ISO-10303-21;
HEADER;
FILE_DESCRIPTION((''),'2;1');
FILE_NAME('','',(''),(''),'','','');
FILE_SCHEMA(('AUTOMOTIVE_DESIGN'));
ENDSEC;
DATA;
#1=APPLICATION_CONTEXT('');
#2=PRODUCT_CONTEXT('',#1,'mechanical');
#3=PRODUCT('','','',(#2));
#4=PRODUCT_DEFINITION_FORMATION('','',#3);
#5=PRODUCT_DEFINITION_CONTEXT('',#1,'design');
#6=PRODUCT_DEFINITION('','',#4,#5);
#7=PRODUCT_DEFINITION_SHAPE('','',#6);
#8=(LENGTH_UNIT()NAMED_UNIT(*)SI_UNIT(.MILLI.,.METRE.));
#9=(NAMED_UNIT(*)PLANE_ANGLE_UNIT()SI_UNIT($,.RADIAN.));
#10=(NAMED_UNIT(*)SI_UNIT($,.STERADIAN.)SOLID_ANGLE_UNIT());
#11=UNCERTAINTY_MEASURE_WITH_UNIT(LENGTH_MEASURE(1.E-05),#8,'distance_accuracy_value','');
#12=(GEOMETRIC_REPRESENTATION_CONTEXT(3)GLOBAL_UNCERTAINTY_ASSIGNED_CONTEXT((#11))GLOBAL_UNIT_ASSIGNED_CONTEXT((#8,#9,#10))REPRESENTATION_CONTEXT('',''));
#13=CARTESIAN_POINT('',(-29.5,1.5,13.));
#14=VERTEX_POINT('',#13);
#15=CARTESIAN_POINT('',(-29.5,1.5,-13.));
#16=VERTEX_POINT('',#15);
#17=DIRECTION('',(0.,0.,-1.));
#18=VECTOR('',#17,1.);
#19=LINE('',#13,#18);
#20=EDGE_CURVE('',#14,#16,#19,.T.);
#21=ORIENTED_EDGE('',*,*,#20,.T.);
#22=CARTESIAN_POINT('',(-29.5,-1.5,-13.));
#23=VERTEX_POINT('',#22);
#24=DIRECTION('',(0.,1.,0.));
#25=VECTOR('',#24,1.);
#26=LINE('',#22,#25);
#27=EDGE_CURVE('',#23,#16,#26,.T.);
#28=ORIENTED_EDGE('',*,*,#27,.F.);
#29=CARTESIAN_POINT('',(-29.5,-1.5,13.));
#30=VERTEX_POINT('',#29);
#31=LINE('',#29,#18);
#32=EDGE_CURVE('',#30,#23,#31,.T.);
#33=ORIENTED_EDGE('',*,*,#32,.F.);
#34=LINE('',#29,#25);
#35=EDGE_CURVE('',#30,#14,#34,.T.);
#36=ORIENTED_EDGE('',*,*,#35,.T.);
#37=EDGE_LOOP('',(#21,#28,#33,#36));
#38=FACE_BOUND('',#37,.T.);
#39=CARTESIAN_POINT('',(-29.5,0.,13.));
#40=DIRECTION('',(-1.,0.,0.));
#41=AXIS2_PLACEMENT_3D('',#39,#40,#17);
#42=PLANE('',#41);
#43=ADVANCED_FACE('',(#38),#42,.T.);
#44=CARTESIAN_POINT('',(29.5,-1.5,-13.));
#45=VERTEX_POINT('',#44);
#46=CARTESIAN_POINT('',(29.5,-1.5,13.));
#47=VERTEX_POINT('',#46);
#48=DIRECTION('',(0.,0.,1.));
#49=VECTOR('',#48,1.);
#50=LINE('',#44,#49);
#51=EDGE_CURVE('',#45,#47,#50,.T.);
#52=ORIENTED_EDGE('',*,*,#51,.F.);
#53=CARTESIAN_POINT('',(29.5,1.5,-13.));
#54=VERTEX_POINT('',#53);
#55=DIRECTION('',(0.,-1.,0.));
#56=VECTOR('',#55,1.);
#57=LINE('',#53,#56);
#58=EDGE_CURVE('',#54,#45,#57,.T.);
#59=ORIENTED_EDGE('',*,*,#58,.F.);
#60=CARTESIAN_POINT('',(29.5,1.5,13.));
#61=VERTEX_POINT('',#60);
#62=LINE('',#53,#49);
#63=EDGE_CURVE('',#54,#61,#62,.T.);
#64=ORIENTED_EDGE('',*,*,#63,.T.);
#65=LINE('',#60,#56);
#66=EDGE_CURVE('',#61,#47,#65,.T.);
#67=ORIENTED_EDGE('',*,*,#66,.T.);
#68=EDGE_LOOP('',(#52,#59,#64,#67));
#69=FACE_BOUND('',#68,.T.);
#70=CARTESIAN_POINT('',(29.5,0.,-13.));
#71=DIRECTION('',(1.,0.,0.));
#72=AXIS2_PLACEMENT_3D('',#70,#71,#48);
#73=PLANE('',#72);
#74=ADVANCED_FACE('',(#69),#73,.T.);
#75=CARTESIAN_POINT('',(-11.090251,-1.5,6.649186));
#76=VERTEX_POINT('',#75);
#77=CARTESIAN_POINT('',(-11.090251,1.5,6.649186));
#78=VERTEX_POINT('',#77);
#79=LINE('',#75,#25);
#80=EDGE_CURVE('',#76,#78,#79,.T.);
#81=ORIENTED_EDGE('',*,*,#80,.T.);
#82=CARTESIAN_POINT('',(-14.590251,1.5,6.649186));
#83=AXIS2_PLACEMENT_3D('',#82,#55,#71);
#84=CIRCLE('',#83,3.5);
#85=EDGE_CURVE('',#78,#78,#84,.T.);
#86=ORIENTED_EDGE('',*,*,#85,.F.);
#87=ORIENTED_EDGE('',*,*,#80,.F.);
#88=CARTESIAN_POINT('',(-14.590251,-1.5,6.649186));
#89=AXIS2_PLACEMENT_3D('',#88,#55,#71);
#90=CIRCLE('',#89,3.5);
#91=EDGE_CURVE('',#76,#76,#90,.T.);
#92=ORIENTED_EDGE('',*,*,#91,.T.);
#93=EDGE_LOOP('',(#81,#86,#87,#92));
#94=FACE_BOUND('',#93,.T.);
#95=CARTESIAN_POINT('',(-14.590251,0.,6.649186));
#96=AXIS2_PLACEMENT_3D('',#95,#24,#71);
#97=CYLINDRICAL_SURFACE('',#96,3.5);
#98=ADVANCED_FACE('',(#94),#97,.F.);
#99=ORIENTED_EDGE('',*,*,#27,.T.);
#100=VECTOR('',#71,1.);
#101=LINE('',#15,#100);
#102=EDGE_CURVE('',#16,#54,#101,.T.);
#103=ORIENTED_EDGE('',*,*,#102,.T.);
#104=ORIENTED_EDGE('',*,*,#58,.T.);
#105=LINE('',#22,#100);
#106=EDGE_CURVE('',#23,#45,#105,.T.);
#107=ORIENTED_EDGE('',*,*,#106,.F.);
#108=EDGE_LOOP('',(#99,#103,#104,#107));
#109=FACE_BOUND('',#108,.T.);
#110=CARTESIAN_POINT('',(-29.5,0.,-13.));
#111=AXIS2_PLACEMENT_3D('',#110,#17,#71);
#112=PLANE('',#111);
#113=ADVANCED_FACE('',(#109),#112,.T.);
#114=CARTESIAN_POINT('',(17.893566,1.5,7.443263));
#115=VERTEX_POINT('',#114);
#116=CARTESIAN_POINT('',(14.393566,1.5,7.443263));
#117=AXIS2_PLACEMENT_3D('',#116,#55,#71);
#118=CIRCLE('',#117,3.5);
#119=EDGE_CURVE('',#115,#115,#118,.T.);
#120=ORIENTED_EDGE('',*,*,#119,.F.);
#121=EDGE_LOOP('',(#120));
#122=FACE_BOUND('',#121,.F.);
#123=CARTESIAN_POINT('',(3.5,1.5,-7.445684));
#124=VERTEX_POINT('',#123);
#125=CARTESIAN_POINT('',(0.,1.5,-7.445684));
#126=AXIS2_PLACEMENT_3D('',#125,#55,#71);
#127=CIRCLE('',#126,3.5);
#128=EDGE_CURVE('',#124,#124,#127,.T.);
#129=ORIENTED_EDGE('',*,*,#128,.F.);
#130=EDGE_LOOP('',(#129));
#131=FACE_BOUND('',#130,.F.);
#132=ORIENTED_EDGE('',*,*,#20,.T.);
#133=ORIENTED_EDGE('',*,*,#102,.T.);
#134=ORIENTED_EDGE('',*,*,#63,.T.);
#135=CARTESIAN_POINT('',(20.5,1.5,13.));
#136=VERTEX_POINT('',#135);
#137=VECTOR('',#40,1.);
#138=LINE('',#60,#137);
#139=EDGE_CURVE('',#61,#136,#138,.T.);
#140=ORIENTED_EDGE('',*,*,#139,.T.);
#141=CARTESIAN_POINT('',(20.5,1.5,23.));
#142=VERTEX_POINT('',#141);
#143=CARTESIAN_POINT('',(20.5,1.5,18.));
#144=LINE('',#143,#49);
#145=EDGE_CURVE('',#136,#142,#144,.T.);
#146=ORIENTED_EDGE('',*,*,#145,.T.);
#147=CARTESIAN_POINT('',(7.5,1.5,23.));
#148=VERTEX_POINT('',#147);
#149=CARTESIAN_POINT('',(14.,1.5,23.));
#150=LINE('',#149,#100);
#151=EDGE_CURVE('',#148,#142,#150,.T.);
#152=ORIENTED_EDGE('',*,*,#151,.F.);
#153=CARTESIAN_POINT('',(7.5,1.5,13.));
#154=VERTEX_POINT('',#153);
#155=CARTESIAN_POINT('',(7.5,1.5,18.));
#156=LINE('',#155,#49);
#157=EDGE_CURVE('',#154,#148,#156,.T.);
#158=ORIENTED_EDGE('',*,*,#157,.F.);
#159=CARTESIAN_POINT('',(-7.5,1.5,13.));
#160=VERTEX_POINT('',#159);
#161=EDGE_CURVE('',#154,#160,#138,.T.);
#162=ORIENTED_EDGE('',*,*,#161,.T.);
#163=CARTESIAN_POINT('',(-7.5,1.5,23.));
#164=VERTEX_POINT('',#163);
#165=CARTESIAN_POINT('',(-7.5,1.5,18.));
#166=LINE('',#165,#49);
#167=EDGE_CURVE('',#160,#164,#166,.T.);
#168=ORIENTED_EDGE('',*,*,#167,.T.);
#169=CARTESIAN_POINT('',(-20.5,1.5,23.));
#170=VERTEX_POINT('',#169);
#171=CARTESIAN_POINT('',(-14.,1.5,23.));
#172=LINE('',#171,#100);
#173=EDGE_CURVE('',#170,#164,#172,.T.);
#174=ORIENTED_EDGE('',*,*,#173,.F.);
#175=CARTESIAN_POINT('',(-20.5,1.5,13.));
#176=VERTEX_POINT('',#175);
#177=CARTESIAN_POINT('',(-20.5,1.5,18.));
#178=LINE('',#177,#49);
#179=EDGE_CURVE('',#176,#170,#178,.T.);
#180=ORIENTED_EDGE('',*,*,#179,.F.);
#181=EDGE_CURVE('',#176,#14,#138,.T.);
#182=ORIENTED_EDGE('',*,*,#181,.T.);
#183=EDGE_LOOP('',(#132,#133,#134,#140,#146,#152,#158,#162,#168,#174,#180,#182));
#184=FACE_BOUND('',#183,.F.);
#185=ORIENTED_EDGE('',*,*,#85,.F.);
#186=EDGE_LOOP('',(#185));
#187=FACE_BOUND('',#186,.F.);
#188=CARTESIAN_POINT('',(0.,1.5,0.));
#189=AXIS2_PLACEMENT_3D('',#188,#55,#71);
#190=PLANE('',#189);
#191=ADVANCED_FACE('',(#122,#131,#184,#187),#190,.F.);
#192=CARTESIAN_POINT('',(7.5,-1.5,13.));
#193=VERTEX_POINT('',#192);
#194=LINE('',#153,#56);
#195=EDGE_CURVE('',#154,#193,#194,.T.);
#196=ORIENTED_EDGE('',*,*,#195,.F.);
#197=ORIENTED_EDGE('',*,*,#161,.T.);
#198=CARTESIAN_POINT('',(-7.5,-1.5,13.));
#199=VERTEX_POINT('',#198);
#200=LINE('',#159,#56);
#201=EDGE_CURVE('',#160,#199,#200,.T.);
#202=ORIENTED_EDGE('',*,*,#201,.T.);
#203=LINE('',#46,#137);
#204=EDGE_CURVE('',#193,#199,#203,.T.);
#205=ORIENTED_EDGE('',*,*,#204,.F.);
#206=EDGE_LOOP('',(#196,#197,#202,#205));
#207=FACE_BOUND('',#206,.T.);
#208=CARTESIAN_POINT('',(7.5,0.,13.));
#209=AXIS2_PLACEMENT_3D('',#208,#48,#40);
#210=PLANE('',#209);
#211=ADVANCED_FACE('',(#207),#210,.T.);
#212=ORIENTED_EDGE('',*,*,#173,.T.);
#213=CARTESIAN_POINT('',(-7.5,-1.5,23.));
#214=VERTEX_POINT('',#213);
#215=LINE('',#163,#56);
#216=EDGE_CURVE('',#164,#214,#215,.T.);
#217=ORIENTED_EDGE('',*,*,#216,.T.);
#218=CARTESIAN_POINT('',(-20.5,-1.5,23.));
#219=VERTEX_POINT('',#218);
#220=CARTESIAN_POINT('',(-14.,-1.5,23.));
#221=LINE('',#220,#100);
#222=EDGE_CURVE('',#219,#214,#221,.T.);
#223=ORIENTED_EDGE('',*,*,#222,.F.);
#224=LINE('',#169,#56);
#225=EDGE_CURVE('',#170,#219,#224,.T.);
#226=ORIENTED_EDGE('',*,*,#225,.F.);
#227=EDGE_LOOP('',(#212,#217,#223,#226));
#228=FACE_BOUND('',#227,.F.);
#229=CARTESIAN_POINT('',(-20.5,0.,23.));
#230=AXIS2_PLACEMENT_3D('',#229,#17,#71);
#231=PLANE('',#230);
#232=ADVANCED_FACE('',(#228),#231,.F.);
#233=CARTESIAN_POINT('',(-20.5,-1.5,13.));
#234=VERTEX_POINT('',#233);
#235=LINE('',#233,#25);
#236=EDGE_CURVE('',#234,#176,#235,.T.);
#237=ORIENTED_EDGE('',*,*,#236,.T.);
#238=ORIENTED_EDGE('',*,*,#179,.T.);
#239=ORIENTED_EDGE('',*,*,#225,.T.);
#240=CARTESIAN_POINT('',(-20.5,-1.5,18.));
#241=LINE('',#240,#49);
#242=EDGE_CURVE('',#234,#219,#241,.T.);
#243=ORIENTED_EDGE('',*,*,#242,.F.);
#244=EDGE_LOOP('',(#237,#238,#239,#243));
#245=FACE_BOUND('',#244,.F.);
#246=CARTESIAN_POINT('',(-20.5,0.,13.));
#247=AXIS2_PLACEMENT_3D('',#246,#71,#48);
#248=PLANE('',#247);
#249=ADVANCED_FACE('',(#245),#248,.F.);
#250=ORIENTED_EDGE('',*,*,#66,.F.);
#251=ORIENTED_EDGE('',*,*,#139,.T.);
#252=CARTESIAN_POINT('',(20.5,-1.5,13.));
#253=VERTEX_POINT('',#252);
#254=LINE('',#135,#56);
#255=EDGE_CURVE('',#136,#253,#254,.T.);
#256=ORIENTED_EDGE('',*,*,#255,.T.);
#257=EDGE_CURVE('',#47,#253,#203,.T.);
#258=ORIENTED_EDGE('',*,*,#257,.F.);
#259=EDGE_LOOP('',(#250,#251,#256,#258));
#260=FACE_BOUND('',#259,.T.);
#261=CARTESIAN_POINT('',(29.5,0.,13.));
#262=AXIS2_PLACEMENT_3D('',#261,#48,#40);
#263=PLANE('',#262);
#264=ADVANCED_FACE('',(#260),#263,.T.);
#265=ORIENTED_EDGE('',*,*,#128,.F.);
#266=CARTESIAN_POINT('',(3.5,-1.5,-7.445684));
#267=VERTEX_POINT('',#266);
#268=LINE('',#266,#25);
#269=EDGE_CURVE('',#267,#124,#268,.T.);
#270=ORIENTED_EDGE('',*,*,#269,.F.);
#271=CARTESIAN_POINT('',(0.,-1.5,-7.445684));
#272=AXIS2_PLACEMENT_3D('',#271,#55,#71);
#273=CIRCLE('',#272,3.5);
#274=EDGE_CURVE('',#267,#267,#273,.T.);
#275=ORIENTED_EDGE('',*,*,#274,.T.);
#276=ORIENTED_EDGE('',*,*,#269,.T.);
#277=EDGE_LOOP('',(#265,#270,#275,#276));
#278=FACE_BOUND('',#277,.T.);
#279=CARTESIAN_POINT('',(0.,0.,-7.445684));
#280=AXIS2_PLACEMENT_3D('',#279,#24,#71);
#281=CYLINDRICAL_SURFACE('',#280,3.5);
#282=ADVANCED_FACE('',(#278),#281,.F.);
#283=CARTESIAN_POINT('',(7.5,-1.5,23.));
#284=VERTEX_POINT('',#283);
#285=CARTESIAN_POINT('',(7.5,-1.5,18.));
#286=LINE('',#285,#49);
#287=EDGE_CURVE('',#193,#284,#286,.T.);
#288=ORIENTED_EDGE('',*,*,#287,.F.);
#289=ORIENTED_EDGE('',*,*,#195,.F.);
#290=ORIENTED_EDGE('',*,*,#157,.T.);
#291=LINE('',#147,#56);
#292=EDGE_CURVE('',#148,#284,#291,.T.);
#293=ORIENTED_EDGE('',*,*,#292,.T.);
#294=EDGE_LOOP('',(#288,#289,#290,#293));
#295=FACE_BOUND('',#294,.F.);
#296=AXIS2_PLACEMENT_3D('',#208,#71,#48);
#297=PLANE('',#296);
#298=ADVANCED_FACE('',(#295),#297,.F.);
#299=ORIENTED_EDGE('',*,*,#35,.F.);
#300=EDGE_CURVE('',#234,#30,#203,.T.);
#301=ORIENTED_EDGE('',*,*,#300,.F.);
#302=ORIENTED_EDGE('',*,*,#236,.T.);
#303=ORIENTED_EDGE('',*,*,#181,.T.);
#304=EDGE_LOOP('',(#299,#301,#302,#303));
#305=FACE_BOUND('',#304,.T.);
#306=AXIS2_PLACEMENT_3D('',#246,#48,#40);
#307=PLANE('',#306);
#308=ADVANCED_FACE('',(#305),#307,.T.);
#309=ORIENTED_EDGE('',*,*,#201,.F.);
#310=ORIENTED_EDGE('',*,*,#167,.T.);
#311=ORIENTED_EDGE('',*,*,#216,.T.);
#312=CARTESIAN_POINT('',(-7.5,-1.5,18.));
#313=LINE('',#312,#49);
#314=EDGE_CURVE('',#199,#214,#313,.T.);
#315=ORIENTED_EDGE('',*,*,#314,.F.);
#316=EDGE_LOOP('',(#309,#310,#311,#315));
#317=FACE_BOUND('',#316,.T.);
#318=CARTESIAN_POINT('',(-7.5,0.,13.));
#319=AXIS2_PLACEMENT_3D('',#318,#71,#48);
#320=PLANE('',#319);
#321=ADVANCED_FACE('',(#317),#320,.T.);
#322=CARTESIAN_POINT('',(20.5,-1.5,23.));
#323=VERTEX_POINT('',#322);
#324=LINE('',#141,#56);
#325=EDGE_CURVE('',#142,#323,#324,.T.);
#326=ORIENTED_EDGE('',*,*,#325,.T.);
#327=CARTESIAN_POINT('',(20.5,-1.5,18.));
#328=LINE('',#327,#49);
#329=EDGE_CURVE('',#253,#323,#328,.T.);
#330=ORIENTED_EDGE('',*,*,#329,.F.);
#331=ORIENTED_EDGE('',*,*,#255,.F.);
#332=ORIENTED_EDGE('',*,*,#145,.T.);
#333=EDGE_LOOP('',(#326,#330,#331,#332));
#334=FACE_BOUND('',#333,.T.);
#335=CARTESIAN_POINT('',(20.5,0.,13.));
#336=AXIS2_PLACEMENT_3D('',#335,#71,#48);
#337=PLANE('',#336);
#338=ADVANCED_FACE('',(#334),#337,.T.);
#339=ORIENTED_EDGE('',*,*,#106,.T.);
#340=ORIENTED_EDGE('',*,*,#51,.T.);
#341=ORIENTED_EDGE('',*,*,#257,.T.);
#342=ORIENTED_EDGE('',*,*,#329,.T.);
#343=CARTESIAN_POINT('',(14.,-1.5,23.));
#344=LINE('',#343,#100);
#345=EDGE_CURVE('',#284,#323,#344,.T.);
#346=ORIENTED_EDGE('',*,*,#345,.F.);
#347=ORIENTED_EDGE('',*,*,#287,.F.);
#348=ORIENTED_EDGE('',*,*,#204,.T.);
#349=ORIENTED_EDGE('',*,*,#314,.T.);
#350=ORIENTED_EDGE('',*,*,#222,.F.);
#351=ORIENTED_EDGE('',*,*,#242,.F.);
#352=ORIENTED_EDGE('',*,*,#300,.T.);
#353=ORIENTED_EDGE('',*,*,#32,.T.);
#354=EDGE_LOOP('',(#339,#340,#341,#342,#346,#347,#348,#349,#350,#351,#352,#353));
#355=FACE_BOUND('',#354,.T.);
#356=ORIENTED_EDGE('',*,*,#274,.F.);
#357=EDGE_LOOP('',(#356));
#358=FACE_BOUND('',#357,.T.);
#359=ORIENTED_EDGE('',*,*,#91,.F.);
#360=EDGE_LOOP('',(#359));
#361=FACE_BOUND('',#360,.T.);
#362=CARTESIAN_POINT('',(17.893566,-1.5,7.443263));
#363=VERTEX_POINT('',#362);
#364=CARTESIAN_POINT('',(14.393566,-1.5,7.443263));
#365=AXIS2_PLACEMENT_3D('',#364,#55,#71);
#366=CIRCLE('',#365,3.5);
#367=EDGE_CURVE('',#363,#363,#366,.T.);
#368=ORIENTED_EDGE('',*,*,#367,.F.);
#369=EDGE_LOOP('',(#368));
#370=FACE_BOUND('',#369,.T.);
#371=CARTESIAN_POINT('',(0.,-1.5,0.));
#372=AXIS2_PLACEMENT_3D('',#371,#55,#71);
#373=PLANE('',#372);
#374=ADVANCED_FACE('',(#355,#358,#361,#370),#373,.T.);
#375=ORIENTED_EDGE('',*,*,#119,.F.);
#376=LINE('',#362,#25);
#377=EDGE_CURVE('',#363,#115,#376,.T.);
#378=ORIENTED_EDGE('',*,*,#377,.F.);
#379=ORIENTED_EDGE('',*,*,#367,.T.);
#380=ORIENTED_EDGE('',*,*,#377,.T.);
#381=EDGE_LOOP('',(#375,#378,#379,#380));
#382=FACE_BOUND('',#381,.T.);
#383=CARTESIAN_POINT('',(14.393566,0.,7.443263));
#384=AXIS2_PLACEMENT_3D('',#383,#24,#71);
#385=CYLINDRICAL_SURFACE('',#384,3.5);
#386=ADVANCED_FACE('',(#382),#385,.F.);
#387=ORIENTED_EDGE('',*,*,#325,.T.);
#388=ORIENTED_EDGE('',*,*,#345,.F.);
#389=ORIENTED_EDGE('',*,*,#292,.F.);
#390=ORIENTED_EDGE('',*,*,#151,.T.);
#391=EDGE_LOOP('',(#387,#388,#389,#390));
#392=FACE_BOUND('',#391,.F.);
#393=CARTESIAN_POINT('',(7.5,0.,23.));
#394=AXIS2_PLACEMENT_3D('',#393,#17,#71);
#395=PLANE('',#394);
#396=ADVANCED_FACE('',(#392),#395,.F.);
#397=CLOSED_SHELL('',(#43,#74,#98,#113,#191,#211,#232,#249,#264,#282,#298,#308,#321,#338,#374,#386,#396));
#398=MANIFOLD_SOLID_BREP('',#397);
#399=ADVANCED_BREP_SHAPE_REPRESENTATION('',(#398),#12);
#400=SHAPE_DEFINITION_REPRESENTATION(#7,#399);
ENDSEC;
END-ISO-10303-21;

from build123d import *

# Parameters (mm, degrees)
F0_R     = 3.5
F0_W     = 13
F0_H     = 10
F1_DEPTH = 1.5


with BuildPart() as f1:
    # F0 (on Front) → F1 (new body, symmetric)
    with BuildSketch(Plane.XZ):
        Polygon((-29.5, -13), (29.5, -13), (29.5, 13), (20.5, 13), (7.5, 13), (-7.5, 13), (-20.5, 13), (-29.5, 13), align=None)
        with Locations((0, -7.445684)):
            Circle(F0_R, mode=Mode.SUBTRACT)
        with Locations((-14.590251, 6.649186)):
            Circle(F0_R, mode=Mode.SUBTRACT)
        with Locations((14.393566, 7.443263)):
            Circle(F0_R, mode=Mode.SUBTRACT)
        with Locations((14, 18)):
            Rectangle(F0_W, F0_H)
        with Locations((-14, 18)):
            Rectangle(F0_W, F0_H)
    extrude(amount=F1_DEPTH, both=True)


solid = f1.part
